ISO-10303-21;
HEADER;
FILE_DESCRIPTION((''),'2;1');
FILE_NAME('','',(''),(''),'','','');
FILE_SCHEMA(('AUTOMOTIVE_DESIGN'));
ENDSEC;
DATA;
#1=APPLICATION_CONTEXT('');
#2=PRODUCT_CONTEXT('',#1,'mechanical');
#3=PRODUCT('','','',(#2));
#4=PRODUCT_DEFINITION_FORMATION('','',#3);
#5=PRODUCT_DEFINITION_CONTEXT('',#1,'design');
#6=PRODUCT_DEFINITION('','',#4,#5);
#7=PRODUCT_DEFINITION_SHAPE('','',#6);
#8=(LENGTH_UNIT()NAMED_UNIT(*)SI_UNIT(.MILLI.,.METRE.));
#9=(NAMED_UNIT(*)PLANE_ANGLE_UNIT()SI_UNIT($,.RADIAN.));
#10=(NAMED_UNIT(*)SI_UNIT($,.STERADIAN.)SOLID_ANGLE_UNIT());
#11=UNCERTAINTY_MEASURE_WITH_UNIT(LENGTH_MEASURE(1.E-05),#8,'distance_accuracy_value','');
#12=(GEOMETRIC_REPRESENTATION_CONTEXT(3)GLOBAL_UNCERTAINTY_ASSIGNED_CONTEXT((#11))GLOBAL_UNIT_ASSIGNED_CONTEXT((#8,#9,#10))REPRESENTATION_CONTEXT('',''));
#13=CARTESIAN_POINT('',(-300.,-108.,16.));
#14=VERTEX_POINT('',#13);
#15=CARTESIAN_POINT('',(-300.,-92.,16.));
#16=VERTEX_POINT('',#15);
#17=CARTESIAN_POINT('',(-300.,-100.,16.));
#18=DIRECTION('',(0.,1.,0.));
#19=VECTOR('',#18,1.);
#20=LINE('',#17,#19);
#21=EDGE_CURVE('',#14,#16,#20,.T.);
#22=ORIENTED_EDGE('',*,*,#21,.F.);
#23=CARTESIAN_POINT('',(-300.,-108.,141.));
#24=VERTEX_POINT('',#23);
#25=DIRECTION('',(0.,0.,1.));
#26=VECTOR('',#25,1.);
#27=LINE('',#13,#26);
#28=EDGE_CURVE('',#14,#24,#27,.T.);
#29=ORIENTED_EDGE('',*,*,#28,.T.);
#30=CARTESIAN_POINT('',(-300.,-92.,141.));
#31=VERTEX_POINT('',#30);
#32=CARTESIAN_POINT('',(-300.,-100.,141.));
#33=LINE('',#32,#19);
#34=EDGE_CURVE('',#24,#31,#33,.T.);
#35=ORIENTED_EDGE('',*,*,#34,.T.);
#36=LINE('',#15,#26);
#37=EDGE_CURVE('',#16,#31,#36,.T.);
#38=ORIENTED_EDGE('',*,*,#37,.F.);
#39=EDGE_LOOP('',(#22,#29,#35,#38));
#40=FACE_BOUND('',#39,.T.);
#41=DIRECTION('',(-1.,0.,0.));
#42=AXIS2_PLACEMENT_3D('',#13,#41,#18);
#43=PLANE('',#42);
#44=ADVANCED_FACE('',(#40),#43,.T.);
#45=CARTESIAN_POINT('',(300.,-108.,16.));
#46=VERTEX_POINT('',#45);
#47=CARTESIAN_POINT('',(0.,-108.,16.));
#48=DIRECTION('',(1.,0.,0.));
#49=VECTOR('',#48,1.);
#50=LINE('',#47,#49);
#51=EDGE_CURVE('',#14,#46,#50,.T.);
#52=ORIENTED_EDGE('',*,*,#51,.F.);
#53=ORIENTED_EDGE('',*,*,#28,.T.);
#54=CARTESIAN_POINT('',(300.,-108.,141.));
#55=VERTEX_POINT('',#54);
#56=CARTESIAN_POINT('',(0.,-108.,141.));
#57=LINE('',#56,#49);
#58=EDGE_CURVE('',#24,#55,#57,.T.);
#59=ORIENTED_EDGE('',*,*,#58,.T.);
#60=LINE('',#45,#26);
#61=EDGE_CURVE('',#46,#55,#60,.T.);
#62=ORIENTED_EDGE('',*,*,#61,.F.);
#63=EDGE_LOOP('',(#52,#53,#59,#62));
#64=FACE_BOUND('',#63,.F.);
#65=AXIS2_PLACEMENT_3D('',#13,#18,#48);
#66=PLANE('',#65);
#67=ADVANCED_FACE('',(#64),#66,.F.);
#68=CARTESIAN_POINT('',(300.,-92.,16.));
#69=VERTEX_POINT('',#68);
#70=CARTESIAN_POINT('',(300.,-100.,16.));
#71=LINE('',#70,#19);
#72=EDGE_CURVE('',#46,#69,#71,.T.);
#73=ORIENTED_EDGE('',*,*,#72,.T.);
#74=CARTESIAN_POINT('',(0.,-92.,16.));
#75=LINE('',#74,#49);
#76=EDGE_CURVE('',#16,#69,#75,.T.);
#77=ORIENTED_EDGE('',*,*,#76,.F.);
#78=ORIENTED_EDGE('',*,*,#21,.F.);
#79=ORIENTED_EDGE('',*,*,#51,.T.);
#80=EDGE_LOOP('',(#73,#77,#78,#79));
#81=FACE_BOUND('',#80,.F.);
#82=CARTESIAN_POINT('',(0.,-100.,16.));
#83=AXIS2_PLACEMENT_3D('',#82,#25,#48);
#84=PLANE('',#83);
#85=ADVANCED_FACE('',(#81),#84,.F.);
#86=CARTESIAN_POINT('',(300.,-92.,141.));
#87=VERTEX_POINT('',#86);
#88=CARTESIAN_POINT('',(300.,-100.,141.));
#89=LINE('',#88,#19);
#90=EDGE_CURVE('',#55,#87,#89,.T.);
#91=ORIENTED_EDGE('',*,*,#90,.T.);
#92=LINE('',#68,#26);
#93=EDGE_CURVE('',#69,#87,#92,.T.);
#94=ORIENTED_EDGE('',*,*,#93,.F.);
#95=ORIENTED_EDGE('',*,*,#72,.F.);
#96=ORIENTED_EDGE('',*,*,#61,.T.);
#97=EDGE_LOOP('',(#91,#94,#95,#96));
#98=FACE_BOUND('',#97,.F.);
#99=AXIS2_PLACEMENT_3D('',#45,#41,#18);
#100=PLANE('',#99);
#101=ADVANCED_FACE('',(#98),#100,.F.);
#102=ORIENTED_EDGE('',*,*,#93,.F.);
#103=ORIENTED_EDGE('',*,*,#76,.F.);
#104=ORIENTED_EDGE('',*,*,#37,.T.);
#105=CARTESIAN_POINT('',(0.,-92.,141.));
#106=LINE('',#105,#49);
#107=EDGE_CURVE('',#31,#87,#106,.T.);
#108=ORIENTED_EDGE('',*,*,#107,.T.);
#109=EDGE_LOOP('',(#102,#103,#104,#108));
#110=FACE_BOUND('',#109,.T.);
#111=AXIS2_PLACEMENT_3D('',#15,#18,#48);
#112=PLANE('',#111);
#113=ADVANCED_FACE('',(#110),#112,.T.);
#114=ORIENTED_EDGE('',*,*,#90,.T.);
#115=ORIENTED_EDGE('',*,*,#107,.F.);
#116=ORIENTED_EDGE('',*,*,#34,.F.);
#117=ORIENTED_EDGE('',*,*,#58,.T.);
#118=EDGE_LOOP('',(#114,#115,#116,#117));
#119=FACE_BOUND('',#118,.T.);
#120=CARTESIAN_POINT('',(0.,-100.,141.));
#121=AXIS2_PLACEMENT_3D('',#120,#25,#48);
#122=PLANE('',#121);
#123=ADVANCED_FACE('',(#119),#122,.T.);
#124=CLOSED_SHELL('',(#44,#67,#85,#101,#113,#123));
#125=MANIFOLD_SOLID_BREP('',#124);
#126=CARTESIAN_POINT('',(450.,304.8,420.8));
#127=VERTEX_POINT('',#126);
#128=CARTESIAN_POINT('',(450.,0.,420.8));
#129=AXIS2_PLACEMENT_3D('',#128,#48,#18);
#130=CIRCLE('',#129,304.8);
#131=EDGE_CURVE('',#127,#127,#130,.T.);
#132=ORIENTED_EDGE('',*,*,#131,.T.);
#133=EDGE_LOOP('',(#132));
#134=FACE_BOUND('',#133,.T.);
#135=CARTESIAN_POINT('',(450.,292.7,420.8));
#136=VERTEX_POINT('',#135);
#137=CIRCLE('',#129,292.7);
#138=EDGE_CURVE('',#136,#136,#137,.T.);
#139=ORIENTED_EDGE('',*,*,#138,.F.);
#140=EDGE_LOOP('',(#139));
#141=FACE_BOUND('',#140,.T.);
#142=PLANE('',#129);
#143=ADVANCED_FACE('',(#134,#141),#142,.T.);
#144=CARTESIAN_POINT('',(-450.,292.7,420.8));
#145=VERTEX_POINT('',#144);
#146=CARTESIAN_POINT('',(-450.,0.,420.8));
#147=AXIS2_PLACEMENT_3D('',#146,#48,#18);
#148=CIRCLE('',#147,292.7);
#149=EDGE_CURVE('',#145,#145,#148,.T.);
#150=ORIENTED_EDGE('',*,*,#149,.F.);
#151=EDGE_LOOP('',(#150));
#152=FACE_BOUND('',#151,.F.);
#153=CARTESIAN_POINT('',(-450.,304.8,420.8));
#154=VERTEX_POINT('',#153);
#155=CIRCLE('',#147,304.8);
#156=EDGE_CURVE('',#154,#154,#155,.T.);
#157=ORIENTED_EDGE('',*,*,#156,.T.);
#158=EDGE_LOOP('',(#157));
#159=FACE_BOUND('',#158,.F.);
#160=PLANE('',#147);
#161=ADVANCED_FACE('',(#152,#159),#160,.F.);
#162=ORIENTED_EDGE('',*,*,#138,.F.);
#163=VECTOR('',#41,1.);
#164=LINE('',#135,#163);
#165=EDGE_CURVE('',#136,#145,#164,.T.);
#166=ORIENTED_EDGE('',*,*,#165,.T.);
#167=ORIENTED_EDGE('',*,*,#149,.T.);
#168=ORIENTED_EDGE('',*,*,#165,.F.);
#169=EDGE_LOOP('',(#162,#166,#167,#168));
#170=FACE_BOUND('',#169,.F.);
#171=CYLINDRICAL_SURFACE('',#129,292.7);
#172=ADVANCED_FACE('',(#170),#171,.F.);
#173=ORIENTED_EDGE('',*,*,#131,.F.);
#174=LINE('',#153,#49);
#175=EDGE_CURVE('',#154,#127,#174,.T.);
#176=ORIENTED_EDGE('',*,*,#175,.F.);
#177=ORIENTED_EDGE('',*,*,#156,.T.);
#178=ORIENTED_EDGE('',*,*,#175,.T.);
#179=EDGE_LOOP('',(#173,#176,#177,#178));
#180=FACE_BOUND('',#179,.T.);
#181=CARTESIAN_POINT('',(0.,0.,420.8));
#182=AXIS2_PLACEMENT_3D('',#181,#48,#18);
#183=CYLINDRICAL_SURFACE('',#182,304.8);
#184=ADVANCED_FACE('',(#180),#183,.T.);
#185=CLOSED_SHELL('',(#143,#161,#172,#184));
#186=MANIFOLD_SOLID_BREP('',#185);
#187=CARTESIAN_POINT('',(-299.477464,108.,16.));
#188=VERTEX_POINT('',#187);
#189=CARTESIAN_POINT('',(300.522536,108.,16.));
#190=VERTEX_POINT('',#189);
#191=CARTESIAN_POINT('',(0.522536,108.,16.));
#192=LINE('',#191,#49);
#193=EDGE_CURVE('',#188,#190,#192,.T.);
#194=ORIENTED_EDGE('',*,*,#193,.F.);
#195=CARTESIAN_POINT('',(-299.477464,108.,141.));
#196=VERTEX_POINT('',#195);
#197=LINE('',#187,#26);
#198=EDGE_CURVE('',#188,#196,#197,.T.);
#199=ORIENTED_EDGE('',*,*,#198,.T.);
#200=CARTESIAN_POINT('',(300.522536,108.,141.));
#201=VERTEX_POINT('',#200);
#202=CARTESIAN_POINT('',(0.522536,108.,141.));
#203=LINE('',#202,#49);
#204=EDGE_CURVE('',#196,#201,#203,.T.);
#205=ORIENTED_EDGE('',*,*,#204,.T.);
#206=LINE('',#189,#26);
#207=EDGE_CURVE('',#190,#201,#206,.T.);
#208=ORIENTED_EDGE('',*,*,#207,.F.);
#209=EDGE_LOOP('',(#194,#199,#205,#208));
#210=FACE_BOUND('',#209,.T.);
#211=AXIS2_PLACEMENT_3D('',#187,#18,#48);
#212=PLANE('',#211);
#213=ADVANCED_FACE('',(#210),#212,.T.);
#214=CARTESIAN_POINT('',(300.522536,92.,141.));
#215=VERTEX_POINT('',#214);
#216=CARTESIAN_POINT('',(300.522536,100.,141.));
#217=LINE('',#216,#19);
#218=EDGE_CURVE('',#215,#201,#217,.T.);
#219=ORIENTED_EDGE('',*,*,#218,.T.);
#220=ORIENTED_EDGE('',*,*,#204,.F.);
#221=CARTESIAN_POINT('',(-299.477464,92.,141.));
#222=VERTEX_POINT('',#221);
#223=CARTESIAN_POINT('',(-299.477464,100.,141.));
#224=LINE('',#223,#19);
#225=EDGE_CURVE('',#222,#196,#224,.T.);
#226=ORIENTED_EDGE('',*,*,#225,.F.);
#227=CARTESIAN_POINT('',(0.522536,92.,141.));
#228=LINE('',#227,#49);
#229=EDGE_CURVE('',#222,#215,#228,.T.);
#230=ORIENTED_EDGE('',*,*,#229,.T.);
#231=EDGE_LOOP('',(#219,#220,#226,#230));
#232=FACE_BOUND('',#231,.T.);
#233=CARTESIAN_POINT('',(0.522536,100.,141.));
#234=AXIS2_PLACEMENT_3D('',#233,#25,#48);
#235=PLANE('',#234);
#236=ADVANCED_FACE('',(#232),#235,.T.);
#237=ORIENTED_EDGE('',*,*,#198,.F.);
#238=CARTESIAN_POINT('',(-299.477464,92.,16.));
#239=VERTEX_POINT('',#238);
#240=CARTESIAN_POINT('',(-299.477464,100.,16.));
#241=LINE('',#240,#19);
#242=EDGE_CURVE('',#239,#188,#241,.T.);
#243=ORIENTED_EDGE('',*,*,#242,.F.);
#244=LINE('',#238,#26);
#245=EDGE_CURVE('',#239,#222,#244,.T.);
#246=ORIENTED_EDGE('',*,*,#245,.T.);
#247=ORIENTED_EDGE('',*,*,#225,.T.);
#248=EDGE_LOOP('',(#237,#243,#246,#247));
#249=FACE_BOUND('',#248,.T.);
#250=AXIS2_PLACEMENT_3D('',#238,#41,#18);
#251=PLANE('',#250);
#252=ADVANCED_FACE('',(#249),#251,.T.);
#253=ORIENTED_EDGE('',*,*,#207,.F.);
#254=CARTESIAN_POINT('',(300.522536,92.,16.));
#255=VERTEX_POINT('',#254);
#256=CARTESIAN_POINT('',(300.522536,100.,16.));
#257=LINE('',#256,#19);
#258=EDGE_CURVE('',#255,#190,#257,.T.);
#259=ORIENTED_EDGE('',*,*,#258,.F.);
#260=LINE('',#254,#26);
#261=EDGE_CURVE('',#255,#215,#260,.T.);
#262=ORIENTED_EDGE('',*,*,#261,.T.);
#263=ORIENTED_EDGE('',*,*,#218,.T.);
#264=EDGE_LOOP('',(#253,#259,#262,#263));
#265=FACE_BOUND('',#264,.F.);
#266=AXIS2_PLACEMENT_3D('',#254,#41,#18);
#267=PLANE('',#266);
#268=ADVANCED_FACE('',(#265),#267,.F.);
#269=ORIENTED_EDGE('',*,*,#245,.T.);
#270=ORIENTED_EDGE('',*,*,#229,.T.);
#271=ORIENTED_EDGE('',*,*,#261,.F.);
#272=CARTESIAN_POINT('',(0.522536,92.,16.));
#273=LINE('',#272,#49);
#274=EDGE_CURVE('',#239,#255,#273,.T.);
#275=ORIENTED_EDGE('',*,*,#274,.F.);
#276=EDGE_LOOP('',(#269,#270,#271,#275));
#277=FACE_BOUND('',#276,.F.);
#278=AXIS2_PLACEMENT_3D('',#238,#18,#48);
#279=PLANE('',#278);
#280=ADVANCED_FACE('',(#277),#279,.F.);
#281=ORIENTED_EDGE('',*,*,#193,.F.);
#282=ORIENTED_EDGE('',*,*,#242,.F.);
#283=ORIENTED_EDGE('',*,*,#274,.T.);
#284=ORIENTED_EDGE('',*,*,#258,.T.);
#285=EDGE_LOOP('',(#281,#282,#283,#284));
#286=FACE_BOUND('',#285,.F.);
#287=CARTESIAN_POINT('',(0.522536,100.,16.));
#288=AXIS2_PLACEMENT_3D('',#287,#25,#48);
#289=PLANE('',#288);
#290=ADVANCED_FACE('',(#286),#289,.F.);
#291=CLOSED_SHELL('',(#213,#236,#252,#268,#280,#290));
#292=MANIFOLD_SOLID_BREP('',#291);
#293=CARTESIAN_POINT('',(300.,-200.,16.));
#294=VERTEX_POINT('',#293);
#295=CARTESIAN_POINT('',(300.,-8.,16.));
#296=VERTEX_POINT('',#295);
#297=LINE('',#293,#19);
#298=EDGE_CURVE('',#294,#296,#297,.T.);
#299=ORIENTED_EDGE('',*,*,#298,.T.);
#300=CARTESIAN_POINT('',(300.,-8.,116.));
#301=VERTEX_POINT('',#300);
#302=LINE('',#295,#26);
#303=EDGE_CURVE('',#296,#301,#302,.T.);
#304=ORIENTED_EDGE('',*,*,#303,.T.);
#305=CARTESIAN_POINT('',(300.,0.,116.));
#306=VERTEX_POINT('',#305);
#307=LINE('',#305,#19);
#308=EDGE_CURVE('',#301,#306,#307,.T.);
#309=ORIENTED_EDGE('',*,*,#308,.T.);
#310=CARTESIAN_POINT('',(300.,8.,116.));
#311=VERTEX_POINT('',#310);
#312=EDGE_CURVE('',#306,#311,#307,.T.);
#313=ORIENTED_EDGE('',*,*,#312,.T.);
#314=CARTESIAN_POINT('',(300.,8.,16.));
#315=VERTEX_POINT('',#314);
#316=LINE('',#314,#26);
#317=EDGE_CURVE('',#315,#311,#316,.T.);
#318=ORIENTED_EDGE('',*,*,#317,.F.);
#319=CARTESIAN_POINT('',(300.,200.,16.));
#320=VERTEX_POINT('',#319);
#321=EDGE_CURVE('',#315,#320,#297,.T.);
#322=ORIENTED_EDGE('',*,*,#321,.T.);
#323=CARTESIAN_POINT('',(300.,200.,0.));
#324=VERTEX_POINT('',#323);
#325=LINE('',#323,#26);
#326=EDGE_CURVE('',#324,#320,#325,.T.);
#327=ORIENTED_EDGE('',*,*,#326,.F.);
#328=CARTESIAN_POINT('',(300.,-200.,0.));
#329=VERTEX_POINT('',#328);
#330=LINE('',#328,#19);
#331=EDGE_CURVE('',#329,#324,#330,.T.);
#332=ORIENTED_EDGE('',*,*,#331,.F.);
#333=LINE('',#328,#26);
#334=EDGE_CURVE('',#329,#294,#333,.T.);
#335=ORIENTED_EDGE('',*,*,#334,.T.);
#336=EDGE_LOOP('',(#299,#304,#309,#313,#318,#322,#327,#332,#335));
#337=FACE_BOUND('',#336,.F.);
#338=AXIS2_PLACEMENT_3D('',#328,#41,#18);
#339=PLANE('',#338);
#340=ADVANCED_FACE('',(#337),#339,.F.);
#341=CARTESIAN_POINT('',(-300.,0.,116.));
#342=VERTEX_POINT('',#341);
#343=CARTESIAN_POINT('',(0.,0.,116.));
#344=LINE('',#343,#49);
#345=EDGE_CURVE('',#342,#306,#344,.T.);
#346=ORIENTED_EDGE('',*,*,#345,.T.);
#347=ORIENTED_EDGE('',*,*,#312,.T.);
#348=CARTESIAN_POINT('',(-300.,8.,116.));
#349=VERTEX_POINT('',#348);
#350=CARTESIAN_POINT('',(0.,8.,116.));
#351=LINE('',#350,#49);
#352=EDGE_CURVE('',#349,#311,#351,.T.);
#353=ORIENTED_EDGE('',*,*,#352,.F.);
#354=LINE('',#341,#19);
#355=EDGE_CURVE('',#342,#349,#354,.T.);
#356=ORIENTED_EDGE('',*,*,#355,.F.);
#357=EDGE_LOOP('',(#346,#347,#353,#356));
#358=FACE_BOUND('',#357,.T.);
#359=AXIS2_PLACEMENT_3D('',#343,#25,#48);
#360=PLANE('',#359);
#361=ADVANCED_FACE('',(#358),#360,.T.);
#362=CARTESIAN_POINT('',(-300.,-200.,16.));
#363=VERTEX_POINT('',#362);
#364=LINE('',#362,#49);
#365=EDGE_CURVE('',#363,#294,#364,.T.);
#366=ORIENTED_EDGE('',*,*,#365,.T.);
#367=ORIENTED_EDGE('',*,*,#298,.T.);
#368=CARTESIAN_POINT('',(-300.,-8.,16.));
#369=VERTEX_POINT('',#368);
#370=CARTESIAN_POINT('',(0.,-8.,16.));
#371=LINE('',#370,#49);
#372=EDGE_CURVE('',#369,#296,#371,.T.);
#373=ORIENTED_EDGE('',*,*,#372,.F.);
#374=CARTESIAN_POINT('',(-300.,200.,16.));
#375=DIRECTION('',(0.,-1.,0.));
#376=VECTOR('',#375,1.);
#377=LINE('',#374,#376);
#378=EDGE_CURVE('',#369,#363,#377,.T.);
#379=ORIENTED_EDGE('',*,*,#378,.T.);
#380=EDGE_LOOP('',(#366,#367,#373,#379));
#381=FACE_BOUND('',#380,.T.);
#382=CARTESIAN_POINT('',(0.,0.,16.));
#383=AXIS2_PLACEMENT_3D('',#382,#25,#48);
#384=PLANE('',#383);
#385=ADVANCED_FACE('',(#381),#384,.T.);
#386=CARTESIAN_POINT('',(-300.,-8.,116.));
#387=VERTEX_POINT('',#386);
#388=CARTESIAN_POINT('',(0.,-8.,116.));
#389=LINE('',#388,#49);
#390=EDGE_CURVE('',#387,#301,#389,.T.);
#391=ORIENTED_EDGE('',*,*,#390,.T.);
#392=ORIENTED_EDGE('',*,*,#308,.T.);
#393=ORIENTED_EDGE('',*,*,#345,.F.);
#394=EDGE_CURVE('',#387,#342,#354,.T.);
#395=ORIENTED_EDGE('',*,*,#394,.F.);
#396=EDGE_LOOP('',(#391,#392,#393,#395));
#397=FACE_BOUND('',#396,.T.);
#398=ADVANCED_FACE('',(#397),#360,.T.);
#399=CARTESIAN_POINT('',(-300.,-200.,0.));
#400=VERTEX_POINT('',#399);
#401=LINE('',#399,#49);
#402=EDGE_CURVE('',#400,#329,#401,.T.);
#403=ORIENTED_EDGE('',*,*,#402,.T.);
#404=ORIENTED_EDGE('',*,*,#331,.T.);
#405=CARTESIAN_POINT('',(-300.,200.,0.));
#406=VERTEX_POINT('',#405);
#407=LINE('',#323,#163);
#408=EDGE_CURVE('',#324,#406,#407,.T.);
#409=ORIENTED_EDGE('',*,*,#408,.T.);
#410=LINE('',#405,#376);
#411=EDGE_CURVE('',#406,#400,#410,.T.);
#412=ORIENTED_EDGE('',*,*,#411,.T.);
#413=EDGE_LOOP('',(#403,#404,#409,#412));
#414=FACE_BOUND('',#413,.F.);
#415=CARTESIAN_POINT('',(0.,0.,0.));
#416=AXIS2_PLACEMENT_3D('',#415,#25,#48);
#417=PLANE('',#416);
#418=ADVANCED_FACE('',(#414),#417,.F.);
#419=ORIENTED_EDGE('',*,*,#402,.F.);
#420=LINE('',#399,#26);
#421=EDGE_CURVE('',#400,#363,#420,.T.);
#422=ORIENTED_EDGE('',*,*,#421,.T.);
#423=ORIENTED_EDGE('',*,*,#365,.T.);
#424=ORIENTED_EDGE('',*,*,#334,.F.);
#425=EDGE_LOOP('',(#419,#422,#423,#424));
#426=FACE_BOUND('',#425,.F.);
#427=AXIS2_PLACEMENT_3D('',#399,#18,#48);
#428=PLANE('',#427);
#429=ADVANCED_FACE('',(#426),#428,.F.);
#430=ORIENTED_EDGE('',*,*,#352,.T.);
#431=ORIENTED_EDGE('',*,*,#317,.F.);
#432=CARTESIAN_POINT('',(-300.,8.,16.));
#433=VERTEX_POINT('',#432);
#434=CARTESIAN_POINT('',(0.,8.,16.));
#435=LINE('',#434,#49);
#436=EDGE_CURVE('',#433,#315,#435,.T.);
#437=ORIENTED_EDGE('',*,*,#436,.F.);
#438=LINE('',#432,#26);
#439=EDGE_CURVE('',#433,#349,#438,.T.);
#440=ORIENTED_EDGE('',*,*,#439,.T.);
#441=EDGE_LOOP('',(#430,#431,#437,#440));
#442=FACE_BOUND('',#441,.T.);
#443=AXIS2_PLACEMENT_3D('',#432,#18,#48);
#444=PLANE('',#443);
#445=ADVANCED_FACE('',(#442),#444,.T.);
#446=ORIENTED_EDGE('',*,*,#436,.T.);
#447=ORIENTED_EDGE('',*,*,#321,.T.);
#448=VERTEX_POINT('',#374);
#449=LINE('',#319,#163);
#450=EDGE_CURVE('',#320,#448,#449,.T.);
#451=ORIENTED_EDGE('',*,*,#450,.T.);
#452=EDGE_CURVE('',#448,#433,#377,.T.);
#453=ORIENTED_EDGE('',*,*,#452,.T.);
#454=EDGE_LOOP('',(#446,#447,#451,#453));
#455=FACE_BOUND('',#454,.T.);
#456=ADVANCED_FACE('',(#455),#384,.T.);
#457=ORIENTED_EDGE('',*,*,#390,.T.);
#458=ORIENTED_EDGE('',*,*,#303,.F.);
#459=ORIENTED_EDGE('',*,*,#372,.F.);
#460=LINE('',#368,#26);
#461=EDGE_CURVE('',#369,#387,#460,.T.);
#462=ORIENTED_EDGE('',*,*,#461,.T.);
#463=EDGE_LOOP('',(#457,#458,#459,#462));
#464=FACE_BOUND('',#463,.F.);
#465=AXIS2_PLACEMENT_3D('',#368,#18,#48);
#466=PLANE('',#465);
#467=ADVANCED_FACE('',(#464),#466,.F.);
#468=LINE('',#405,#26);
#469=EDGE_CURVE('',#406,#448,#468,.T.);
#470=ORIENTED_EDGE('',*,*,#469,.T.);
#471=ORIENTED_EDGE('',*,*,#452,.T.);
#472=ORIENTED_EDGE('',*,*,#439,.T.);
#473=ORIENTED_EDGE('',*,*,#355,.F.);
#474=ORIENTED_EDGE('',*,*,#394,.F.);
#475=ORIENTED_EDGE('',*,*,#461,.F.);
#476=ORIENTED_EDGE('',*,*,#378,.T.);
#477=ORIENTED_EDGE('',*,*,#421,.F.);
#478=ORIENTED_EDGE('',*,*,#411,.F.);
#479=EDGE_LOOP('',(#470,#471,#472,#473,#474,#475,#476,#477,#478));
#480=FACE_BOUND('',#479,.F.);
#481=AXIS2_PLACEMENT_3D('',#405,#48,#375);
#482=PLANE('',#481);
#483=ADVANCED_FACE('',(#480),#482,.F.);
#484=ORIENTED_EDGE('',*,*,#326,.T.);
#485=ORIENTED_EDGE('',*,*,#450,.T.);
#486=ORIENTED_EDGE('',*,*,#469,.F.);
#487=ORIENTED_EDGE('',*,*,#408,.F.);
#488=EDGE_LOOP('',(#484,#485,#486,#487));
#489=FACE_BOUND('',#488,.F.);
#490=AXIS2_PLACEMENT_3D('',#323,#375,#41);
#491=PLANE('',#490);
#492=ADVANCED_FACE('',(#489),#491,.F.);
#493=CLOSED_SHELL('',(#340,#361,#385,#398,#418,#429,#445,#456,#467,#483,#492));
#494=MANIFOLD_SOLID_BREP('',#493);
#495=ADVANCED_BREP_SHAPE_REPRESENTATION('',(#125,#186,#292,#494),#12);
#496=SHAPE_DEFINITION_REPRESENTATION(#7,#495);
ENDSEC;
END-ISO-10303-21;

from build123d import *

# Parameters (mm, degrees)
F1_DEPTH  = 16
F2_W      = 600
F2_H      = 16
F4_DEPTH  = 100
F5_R      = 304.8
F6_DEPTH  = 450
F7_R      = 292.7
F8_DEPTH  = 900.001
F9_W      = 600
F9_H      = 16
F10_DEPTH = 125
F3_W      = 600
F3_H      = 16
F11_DEPTH = 125


with BuildPart() as f1:
    # F0 (on Top) → F1 (new body)
    with BuildSketch(Plane.XY):
        Polygon((0, 200), (-300, 200), (-300, -200), (300, -200), (300, 200), align=None)
    extrude(amount=F1_DEPTH)

    # F2 (on face) → F4 (join)
    with BuildSketch(Plane.XY.offset(16)):
        Rectangle(F2_W, F2_H)
    extrude(amount=F4_DEPTH)

    # F5 (on Right) → F6 (join, symmetric)
    with BuildSketch(Plane.YZ):
        with Locations((0, 420.8)):
            Circle(F5_R)
    extrude(amount=F6_DEPTH, both=True)

    # F7 (on face) → F8 (cut, through all)
    with BuildSketch(Plane.YZ.offset(450)):
        with Locations((0, 420.8)):
            Circle(F7_R)
    extrude(amount=-F8_DEPTH, mode=Mode.SUBTRACT)


with BuildPart() as f10:
    # F9 (on face) → F10 (new body)
    with BuildSketch(Plane.XY.offset(16)):
        with Locations((0, -100)):
            Rectangle(F9_W, F9_H)
    extrude(amount=F10_DEPTH)


with BuildPart() as f11:
    # F3 (on face) → F11 (new body)
    with BuildSketch(Plane.XY.offset(16)):
        with Locations((0.522536, 100)):
            Rectangle(F3_W, F3_H)
    extrude(amount=F11_DEPTH)


solid = Compound([f1.part, f10.part, f11.part])
